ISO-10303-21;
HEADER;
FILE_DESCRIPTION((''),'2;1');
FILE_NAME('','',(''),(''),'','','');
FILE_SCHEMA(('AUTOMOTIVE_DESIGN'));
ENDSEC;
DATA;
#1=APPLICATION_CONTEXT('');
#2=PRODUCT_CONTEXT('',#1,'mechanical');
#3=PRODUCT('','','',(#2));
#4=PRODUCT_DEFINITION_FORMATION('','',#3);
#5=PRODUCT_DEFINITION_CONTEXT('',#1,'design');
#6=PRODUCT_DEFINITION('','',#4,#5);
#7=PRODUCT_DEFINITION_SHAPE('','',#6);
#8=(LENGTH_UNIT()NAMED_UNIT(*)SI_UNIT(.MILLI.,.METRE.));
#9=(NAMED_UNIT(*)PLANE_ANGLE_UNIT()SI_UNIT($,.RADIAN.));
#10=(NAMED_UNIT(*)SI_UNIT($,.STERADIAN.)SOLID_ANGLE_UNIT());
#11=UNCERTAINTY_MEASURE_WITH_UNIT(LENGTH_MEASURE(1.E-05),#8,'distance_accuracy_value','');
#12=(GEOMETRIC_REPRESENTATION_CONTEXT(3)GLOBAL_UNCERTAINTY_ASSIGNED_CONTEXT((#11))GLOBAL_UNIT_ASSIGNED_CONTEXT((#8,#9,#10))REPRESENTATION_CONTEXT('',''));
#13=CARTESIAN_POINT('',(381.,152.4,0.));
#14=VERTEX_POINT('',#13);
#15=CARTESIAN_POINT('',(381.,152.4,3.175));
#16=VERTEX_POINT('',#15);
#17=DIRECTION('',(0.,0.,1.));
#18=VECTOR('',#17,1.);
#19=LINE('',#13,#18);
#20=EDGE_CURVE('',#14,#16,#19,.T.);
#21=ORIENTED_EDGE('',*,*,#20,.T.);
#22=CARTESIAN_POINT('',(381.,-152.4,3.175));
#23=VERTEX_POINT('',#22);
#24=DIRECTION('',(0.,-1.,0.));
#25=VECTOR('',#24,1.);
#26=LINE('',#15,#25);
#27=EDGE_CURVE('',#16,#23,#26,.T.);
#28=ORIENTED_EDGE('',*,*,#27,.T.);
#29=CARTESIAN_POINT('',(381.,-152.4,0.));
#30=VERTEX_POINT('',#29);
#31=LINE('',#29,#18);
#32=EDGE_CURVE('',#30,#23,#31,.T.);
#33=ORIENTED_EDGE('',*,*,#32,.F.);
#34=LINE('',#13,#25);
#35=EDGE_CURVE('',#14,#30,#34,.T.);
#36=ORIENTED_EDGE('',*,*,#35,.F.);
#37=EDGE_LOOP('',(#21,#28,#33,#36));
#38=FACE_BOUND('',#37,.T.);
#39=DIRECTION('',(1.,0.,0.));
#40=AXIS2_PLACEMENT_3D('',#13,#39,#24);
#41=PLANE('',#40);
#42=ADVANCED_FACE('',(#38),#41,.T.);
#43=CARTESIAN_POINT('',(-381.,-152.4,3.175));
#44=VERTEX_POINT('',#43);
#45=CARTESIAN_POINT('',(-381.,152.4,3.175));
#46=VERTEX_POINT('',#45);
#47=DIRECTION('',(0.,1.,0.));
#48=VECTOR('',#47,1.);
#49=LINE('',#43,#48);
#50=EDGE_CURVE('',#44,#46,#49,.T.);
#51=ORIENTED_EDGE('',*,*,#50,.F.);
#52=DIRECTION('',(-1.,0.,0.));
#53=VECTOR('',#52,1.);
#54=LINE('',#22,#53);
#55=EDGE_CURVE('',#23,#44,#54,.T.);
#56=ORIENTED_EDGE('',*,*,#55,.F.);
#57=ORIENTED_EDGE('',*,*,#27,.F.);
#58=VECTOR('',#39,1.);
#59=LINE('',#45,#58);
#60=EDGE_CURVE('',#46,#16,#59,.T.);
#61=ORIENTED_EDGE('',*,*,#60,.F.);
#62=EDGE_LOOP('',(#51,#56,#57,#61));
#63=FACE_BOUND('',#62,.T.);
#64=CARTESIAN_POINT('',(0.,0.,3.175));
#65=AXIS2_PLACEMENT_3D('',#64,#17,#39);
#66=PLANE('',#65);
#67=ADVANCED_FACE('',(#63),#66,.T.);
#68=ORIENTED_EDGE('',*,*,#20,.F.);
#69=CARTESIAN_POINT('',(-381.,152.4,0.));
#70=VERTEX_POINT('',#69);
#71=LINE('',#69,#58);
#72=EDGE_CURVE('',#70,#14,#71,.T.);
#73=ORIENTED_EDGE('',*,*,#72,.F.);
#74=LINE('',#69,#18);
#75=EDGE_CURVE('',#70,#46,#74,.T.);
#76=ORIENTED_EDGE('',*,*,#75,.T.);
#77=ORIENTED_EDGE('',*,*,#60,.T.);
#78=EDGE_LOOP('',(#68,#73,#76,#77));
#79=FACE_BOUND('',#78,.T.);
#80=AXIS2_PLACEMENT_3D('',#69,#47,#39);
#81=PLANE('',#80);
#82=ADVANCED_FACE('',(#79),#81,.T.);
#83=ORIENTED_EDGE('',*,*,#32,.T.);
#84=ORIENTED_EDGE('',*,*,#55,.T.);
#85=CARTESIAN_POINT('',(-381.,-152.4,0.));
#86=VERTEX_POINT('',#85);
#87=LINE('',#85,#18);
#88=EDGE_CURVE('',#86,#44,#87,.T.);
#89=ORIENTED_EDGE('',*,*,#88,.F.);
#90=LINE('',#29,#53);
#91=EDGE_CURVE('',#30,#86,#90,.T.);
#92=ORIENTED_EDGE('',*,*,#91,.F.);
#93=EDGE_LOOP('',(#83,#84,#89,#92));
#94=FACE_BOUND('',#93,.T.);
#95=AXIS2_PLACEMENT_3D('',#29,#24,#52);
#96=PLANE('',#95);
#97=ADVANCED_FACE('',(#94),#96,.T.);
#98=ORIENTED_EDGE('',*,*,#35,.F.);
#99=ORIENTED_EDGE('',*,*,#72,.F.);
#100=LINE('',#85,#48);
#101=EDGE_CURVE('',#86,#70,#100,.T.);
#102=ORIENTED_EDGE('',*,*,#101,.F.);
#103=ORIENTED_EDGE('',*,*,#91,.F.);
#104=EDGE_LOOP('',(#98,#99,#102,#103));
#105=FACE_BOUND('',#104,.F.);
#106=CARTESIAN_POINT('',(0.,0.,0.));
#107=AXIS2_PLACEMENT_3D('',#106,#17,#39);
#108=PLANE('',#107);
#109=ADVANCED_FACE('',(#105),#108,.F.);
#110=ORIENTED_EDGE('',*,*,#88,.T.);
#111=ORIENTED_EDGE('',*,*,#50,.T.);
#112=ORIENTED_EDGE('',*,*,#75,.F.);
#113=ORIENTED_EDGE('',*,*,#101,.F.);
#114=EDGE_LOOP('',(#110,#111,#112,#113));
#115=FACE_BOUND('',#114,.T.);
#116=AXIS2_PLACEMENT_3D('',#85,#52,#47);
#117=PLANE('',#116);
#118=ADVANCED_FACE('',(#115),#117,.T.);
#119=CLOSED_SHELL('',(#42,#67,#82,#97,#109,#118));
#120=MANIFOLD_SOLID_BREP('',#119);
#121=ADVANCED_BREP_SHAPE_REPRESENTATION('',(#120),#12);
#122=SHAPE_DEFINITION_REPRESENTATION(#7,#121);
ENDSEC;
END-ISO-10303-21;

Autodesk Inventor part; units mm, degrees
ref_plane "YZ Plane" through (0, 0, 0) normal (1, 0, 0) x (0, 1, 0)
ref_plane "XZ Plane" through (0, 0, 0) normal (0, 1, 0) x (-1, 0, 0)
ref_plane "XY Plane" through (0, 0, 0) normal (0, 0, 1) x (1, 0, 0)
sketch "Sketch1" plane through (0, 0, 0) normal (0, 0, 1) x (1, 0, 0)
  line L0 (-381, 152.4) -> (381, 152.4)
  line L1 (381, 152.4) -> (381, -152.4)
  line L2 (381, -152.4) -> (-381, -152.4)
  line L3 (-381, -152.4) -> (-381, 152.4)
  line L4 (-381, 152.4) -> (381, -152.4) construction
  line L5 (381, 152.4) -> (-381, -152.4) construction
  point P0 (0, 0)
  dimension "d0" = 762
  dimension "d1" = 304.8
extrude "Extrusion1" add sketch "Sketch1" along normal blind 3.175
properties part number "ChassisWall"
